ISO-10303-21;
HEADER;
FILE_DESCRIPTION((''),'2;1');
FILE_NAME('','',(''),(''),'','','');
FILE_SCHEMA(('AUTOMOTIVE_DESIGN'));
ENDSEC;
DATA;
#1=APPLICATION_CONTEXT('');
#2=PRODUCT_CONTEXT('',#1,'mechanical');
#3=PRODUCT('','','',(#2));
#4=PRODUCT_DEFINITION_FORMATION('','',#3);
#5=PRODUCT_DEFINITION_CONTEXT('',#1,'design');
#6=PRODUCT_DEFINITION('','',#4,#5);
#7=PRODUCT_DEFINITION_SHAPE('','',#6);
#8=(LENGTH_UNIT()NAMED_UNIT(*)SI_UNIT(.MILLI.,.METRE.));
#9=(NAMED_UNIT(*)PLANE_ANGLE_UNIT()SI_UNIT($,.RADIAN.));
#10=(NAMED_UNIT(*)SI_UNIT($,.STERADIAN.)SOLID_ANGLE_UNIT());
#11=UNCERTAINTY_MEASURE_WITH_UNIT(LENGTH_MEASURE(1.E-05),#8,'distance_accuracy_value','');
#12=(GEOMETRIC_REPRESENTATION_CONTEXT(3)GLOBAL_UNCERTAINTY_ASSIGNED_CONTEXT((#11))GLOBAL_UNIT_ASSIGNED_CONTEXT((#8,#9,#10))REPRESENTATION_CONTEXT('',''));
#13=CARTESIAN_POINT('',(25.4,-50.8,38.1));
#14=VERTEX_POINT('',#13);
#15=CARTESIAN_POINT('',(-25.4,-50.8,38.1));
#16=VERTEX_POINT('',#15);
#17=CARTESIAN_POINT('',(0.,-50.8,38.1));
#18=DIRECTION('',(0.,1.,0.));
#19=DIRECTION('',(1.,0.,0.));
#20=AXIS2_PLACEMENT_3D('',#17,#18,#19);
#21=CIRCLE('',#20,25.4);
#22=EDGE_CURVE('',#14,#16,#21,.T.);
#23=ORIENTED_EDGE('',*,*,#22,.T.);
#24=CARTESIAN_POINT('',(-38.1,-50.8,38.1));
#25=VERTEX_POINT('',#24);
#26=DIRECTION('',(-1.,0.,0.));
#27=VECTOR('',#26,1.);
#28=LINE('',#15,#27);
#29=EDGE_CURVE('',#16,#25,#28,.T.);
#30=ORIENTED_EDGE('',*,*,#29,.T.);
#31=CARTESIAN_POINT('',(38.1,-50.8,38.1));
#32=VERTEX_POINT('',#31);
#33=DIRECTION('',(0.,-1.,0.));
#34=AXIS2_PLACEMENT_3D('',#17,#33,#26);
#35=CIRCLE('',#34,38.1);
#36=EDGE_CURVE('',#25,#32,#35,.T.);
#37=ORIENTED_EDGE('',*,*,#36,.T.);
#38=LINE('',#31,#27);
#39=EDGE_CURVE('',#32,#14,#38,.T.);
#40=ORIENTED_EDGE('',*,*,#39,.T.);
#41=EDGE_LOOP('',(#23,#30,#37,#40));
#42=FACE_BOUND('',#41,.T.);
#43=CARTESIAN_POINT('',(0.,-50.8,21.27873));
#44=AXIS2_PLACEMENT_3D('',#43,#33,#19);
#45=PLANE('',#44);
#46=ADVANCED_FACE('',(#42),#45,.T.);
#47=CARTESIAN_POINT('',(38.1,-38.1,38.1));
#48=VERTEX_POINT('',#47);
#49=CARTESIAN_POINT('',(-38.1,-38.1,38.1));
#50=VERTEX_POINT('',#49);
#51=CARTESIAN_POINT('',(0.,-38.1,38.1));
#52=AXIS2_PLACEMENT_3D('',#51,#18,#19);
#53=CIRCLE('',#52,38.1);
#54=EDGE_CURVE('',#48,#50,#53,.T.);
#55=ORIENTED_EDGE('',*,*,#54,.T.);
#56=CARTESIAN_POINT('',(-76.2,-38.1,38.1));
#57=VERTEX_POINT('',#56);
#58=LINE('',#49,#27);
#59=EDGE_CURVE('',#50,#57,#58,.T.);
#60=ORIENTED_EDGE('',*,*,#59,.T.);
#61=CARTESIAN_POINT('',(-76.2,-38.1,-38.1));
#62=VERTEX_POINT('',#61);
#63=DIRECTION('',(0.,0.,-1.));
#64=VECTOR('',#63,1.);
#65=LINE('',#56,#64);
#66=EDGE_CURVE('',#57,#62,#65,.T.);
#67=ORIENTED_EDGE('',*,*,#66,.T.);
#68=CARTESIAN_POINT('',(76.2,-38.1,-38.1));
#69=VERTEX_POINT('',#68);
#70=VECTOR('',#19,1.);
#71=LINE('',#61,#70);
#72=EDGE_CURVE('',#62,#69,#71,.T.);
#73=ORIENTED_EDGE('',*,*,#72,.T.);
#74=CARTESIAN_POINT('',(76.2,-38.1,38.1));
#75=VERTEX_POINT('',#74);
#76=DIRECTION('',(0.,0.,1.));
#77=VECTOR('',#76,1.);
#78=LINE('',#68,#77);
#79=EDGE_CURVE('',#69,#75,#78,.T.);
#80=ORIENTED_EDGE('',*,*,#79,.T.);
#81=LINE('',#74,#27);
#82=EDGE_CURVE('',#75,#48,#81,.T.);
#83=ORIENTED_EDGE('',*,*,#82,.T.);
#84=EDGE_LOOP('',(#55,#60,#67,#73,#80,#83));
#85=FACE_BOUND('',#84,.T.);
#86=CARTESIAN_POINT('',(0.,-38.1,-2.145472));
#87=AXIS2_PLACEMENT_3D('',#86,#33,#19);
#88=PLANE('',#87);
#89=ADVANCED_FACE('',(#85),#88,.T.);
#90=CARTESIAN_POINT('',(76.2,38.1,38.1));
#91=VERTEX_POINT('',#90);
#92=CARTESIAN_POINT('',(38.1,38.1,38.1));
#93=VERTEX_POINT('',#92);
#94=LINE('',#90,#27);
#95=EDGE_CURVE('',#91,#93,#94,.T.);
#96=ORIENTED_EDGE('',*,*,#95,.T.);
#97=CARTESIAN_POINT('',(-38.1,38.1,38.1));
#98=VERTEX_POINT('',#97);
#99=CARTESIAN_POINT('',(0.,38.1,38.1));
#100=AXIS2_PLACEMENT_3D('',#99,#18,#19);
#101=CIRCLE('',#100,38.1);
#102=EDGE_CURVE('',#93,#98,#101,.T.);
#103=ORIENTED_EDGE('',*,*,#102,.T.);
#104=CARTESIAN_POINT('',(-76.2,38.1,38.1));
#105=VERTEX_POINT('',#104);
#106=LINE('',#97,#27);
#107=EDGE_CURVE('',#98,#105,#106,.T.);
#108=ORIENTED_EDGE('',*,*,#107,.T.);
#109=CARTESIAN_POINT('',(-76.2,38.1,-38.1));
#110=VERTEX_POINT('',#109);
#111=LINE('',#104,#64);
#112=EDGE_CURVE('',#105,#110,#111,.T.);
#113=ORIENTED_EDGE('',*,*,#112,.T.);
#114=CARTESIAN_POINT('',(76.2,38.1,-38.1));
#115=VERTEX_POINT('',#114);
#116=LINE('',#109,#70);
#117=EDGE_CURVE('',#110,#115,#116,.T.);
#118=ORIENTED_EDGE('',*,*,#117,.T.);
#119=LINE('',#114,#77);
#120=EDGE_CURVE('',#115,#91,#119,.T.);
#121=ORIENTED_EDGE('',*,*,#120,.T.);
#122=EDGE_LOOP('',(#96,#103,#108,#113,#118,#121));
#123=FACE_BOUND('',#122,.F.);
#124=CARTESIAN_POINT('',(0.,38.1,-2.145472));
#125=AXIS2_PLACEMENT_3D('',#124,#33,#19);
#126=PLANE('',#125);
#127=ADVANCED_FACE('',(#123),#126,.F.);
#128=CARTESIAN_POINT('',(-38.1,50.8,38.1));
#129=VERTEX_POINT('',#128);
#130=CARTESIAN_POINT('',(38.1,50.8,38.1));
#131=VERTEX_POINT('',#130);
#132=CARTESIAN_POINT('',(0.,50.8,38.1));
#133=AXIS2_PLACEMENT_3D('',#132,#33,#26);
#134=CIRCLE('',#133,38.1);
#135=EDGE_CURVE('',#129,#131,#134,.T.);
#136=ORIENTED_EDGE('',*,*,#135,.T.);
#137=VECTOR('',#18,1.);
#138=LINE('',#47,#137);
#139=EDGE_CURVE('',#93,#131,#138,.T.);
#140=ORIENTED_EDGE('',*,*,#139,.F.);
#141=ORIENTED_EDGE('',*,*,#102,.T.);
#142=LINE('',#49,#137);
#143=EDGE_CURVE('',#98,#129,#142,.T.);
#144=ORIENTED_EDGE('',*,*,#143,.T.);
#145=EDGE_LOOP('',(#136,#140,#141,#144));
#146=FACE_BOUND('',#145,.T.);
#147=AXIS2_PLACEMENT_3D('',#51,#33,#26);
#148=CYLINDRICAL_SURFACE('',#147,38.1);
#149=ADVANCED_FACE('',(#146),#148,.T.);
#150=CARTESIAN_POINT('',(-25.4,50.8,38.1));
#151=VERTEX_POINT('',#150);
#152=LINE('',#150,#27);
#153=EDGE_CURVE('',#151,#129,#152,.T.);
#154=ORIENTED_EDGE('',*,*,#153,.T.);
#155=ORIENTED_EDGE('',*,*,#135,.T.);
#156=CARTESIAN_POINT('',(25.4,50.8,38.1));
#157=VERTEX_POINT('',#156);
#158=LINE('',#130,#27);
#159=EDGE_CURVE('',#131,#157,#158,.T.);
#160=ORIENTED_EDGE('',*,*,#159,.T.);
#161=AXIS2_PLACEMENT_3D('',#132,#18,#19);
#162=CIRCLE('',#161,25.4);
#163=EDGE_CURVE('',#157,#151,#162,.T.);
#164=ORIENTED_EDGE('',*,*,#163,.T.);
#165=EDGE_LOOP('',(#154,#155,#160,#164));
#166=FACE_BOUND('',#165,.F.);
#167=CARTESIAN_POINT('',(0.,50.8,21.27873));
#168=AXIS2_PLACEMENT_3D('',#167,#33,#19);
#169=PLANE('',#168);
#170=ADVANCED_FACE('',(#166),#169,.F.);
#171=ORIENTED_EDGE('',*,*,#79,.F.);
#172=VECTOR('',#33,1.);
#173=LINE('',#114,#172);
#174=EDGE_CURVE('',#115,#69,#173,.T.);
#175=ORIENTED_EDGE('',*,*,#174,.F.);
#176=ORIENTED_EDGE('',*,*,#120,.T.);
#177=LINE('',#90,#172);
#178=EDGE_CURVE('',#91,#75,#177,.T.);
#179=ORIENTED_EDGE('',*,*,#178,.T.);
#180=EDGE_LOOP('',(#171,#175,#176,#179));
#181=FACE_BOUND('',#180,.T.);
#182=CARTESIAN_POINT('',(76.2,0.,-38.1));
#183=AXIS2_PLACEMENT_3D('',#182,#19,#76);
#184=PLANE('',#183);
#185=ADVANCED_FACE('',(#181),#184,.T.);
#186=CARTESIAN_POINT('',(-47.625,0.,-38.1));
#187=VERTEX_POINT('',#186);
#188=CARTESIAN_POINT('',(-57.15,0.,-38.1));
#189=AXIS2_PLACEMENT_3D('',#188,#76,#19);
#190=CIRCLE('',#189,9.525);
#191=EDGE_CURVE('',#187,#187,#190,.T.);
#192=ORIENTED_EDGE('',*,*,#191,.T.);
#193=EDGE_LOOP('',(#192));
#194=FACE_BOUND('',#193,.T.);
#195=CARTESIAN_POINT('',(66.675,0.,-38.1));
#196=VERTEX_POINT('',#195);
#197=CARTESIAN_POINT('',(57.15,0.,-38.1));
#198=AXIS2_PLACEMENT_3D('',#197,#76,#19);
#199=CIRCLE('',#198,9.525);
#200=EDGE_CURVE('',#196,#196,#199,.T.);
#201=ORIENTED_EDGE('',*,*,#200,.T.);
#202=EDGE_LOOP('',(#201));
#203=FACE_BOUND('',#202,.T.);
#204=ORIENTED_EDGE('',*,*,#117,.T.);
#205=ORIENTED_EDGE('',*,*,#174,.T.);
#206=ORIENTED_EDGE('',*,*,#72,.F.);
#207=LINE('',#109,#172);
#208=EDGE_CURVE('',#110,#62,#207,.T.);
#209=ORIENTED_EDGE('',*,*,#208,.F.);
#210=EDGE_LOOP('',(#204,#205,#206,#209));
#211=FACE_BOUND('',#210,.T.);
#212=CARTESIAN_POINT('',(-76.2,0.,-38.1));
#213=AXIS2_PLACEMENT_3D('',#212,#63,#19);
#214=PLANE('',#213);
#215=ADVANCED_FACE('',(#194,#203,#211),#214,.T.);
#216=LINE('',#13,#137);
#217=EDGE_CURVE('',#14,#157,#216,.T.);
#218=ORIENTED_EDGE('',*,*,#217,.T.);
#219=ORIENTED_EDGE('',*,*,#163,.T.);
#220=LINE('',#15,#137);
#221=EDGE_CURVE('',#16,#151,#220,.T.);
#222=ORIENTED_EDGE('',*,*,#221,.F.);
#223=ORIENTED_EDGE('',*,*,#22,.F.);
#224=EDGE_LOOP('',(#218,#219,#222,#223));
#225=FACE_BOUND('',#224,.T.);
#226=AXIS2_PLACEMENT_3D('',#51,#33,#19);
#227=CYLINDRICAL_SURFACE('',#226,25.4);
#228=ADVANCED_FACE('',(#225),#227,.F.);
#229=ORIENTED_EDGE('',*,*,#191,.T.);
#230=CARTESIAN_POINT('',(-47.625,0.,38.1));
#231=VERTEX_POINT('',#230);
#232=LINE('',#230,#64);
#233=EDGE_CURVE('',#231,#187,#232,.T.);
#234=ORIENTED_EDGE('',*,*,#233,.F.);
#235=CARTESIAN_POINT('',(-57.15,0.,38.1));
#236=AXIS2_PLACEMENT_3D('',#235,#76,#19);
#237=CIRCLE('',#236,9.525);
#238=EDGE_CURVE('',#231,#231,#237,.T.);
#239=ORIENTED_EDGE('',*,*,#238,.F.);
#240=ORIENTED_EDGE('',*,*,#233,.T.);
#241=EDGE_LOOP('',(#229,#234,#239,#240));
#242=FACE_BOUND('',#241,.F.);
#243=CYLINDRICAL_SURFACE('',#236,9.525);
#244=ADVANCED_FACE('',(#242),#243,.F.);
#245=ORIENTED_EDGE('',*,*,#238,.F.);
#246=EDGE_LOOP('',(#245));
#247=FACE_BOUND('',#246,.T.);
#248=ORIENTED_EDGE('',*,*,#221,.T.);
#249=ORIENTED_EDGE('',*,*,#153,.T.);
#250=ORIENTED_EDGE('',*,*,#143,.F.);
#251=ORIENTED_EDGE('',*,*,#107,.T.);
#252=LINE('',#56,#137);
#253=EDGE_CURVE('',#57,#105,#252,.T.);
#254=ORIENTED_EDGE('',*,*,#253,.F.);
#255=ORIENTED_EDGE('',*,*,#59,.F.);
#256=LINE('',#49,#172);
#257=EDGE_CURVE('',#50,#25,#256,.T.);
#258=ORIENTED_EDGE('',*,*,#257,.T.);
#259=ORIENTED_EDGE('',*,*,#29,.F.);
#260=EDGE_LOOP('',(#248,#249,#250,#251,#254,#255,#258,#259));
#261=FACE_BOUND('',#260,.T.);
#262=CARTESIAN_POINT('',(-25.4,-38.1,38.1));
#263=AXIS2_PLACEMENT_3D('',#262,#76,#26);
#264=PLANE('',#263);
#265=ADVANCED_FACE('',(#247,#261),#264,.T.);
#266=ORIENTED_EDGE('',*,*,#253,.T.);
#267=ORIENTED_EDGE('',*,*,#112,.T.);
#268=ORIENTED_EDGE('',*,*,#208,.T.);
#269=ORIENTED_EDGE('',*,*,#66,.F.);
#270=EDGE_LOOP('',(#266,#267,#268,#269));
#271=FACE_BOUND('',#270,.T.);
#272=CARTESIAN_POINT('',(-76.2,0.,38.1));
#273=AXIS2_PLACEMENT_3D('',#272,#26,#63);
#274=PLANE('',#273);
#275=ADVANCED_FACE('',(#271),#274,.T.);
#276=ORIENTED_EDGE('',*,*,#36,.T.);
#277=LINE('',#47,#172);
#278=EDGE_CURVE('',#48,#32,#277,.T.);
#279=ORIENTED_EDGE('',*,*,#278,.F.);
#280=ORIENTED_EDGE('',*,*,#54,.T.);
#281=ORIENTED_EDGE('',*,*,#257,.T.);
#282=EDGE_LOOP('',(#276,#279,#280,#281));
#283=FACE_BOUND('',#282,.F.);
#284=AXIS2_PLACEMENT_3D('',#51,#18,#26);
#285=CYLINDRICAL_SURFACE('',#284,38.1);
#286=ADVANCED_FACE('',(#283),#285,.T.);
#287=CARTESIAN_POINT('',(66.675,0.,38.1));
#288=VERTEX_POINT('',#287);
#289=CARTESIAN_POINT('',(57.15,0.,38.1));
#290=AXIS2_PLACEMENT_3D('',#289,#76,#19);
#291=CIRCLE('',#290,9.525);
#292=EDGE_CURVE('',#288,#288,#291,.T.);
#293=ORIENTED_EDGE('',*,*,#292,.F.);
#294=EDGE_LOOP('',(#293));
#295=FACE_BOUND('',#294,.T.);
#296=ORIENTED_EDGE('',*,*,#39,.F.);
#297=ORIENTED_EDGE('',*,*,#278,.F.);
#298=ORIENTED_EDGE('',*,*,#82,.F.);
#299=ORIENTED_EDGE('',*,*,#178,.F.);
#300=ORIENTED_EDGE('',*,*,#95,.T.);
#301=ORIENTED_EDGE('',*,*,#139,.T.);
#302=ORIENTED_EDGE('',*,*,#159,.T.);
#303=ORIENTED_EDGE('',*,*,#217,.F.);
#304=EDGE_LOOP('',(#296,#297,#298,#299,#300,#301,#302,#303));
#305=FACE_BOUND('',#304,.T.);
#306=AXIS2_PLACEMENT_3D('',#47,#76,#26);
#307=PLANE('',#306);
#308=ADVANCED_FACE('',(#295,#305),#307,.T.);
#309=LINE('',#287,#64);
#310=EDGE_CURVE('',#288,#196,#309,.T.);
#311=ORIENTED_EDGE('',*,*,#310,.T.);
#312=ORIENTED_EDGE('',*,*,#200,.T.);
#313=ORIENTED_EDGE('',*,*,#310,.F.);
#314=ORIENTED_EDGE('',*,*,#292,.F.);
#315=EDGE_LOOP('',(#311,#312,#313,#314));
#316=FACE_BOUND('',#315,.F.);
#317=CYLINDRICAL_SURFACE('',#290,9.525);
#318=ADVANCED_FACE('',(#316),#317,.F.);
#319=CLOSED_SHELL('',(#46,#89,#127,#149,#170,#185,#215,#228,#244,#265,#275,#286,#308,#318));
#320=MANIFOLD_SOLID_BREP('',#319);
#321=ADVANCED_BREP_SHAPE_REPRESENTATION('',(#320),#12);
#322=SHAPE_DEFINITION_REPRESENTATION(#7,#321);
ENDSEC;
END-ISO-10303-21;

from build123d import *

# Parameters (mm, degrees)
F1_DEPTH      = 38.1
F3_DEPTH      = 12.7
F3_DEPTH_BACK = 88.9
F4_R          = 9.525
F5_R          = 9.525
F6_DEPTH      = 113.03


with BuildPart() as f1:
    # F0 (on Front) → F1 (new body, symmetric)
    with BuildSketch(Plane.XZ):
        with BuildLine():
            Line((-76.2, 38.1), (-76.2, -38.1))
            Line((-76.2, -38.1), (76.2, -38.1))
            Line((76.2, -38.1), (76.2, 38.1))
            Line((76.2, 38.1), (38.1, 38.1))
            ThreePointArc((38.1, 38.1), (0, 0), (-38.1, 38.1))
            Line((-38.1, 38.1), (-76.2, 38.1))
        make_face()
    extrude(amount=F1_DEPTH, both=True)

    # F2 (on face) → F3 (join, two sides)
    with BuildSketch(Plane.XZ.offset(38.1)) as f3_sk:
        with BuildLine():
            Line((-25.4, 38.1), (-38.1, 38.1))
            ThreePointArc((-38.1, 38.1), (0, 0), (38.1, 38.1))
            Line((38.1, 38.1), (25.4, 38.1))
            ThreePointArc((25.4, 38.1), (0, 12.7), (-25.4, 38.1))
        make_face()
    extrude(amount=F3_DEPTH)
    extrude(f3_sk.sketch, amount=-F3_DEPTH_BACK)

    # F4 (on face) + F5 (on face) → F6 (cut)
    with BuildSketch(Plane.XY.offset(38.1)):
        with Locations((-57.15, 0)):
            Circle(F4_R)
    with BuildSketch(Plane.XY.offset(38.1)):
        with Locations((57.15, 0)):
            Circle(F5_R)
    extrude(amount=-F6_DEPTH, mode=Mode.SUBTRACT)


solid = f1.part
